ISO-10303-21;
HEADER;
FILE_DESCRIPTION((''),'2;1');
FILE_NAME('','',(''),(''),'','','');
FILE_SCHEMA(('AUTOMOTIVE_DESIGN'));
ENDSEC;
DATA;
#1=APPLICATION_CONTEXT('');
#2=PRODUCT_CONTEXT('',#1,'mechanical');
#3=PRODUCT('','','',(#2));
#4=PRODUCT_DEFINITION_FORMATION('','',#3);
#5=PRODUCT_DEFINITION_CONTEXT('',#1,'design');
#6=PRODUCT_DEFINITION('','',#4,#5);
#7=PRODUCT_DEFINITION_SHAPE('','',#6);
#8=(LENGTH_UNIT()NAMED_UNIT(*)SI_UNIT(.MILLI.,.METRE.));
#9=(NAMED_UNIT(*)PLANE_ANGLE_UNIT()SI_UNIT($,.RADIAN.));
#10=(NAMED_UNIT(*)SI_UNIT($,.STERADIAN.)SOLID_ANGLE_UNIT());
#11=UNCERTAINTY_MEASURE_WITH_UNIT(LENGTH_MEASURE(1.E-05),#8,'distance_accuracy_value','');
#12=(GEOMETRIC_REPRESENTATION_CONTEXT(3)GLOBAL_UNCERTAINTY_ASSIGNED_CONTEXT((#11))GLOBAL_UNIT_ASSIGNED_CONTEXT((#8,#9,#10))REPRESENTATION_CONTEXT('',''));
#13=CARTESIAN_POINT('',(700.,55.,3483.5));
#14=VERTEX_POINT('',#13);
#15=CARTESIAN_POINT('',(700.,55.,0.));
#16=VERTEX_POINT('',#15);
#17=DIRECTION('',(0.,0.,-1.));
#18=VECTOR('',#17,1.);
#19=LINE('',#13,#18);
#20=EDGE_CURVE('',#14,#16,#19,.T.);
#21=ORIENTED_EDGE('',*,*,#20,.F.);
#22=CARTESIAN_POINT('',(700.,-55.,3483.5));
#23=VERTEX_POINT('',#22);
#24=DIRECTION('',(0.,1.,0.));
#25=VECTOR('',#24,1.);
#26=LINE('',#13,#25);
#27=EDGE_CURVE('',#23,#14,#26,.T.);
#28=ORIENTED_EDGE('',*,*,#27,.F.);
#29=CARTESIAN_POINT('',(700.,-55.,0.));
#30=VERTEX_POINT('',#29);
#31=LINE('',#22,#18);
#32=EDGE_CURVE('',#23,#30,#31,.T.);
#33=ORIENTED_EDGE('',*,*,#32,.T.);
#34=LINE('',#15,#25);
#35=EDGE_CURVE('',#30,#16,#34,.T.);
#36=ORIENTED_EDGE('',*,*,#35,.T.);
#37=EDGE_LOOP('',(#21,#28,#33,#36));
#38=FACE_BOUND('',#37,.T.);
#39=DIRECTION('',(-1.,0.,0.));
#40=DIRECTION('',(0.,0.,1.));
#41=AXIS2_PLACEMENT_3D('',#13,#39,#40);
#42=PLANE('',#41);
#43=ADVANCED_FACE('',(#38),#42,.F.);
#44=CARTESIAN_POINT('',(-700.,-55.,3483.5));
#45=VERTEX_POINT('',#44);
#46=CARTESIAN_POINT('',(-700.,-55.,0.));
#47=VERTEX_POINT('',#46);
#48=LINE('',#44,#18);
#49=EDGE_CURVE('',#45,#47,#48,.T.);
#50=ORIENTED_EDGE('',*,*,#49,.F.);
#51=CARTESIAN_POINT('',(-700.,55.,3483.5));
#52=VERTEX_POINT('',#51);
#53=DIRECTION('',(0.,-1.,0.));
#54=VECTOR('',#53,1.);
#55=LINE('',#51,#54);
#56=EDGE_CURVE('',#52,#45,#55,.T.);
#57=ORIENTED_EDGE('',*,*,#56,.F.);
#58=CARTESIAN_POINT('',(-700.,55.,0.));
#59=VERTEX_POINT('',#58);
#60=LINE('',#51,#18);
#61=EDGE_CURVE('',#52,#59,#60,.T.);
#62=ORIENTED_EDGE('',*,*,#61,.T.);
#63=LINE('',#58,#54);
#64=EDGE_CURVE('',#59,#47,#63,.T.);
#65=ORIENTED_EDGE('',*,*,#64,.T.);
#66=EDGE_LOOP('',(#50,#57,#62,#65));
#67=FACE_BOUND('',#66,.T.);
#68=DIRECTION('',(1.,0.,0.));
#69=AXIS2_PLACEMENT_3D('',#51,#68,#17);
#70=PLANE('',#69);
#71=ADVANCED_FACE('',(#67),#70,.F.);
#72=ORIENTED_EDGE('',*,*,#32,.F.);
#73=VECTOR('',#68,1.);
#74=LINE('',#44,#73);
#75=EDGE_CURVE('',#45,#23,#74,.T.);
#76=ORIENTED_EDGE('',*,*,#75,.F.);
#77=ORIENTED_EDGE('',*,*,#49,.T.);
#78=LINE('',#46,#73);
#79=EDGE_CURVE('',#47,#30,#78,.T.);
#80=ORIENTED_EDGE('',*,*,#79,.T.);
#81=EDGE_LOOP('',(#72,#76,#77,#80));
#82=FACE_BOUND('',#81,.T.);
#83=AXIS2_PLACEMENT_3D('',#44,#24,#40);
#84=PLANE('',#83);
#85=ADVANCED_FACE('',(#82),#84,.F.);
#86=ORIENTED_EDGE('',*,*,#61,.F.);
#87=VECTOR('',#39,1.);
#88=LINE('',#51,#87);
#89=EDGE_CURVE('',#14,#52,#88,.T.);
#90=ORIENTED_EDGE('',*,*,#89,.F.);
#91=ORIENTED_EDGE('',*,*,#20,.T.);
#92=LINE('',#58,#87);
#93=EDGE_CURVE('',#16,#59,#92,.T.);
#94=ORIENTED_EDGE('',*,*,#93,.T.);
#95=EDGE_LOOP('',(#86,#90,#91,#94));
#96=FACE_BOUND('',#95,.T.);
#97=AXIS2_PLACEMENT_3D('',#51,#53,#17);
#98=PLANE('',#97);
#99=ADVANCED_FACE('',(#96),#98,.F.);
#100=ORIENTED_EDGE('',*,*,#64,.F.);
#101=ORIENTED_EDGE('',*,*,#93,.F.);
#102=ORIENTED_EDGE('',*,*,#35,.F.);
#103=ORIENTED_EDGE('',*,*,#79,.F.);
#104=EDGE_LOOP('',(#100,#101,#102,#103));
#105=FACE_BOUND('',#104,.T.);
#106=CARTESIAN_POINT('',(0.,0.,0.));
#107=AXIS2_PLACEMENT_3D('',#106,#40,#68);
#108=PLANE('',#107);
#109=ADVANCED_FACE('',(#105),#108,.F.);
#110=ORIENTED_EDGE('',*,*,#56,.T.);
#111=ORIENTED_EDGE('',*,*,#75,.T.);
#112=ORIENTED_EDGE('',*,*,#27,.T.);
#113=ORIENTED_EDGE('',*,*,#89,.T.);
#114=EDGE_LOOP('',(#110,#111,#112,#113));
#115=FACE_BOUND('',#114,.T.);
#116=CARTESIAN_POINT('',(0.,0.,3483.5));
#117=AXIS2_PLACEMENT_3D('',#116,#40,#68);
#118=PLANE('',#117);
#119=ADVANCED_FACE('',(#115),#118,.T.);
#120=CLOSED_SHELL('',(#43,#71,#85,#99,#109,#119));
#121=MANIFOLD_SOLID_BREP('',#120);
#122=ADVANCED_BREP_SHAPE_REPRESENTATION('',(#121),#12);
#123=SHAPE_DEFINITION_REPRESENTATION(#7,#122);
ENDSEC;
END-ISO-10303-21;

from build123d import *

# Parameters (mm, degrees)
SKETCH1_W           = 1400
SKETCH1_H           = 110
BOSS_EXTRUDE1_DEPTH = 3483.5


with BuildPart() as part:
    # Sketch1 → Boss-Extrude1 (new body)
    with BuildSketch(Plane.XY):
        Rectangle(SKETCH1_W, SKETCH1_H)
    extrude(amount=BOSS_EXTRUDE1_DEPTH)


solid = part.part
